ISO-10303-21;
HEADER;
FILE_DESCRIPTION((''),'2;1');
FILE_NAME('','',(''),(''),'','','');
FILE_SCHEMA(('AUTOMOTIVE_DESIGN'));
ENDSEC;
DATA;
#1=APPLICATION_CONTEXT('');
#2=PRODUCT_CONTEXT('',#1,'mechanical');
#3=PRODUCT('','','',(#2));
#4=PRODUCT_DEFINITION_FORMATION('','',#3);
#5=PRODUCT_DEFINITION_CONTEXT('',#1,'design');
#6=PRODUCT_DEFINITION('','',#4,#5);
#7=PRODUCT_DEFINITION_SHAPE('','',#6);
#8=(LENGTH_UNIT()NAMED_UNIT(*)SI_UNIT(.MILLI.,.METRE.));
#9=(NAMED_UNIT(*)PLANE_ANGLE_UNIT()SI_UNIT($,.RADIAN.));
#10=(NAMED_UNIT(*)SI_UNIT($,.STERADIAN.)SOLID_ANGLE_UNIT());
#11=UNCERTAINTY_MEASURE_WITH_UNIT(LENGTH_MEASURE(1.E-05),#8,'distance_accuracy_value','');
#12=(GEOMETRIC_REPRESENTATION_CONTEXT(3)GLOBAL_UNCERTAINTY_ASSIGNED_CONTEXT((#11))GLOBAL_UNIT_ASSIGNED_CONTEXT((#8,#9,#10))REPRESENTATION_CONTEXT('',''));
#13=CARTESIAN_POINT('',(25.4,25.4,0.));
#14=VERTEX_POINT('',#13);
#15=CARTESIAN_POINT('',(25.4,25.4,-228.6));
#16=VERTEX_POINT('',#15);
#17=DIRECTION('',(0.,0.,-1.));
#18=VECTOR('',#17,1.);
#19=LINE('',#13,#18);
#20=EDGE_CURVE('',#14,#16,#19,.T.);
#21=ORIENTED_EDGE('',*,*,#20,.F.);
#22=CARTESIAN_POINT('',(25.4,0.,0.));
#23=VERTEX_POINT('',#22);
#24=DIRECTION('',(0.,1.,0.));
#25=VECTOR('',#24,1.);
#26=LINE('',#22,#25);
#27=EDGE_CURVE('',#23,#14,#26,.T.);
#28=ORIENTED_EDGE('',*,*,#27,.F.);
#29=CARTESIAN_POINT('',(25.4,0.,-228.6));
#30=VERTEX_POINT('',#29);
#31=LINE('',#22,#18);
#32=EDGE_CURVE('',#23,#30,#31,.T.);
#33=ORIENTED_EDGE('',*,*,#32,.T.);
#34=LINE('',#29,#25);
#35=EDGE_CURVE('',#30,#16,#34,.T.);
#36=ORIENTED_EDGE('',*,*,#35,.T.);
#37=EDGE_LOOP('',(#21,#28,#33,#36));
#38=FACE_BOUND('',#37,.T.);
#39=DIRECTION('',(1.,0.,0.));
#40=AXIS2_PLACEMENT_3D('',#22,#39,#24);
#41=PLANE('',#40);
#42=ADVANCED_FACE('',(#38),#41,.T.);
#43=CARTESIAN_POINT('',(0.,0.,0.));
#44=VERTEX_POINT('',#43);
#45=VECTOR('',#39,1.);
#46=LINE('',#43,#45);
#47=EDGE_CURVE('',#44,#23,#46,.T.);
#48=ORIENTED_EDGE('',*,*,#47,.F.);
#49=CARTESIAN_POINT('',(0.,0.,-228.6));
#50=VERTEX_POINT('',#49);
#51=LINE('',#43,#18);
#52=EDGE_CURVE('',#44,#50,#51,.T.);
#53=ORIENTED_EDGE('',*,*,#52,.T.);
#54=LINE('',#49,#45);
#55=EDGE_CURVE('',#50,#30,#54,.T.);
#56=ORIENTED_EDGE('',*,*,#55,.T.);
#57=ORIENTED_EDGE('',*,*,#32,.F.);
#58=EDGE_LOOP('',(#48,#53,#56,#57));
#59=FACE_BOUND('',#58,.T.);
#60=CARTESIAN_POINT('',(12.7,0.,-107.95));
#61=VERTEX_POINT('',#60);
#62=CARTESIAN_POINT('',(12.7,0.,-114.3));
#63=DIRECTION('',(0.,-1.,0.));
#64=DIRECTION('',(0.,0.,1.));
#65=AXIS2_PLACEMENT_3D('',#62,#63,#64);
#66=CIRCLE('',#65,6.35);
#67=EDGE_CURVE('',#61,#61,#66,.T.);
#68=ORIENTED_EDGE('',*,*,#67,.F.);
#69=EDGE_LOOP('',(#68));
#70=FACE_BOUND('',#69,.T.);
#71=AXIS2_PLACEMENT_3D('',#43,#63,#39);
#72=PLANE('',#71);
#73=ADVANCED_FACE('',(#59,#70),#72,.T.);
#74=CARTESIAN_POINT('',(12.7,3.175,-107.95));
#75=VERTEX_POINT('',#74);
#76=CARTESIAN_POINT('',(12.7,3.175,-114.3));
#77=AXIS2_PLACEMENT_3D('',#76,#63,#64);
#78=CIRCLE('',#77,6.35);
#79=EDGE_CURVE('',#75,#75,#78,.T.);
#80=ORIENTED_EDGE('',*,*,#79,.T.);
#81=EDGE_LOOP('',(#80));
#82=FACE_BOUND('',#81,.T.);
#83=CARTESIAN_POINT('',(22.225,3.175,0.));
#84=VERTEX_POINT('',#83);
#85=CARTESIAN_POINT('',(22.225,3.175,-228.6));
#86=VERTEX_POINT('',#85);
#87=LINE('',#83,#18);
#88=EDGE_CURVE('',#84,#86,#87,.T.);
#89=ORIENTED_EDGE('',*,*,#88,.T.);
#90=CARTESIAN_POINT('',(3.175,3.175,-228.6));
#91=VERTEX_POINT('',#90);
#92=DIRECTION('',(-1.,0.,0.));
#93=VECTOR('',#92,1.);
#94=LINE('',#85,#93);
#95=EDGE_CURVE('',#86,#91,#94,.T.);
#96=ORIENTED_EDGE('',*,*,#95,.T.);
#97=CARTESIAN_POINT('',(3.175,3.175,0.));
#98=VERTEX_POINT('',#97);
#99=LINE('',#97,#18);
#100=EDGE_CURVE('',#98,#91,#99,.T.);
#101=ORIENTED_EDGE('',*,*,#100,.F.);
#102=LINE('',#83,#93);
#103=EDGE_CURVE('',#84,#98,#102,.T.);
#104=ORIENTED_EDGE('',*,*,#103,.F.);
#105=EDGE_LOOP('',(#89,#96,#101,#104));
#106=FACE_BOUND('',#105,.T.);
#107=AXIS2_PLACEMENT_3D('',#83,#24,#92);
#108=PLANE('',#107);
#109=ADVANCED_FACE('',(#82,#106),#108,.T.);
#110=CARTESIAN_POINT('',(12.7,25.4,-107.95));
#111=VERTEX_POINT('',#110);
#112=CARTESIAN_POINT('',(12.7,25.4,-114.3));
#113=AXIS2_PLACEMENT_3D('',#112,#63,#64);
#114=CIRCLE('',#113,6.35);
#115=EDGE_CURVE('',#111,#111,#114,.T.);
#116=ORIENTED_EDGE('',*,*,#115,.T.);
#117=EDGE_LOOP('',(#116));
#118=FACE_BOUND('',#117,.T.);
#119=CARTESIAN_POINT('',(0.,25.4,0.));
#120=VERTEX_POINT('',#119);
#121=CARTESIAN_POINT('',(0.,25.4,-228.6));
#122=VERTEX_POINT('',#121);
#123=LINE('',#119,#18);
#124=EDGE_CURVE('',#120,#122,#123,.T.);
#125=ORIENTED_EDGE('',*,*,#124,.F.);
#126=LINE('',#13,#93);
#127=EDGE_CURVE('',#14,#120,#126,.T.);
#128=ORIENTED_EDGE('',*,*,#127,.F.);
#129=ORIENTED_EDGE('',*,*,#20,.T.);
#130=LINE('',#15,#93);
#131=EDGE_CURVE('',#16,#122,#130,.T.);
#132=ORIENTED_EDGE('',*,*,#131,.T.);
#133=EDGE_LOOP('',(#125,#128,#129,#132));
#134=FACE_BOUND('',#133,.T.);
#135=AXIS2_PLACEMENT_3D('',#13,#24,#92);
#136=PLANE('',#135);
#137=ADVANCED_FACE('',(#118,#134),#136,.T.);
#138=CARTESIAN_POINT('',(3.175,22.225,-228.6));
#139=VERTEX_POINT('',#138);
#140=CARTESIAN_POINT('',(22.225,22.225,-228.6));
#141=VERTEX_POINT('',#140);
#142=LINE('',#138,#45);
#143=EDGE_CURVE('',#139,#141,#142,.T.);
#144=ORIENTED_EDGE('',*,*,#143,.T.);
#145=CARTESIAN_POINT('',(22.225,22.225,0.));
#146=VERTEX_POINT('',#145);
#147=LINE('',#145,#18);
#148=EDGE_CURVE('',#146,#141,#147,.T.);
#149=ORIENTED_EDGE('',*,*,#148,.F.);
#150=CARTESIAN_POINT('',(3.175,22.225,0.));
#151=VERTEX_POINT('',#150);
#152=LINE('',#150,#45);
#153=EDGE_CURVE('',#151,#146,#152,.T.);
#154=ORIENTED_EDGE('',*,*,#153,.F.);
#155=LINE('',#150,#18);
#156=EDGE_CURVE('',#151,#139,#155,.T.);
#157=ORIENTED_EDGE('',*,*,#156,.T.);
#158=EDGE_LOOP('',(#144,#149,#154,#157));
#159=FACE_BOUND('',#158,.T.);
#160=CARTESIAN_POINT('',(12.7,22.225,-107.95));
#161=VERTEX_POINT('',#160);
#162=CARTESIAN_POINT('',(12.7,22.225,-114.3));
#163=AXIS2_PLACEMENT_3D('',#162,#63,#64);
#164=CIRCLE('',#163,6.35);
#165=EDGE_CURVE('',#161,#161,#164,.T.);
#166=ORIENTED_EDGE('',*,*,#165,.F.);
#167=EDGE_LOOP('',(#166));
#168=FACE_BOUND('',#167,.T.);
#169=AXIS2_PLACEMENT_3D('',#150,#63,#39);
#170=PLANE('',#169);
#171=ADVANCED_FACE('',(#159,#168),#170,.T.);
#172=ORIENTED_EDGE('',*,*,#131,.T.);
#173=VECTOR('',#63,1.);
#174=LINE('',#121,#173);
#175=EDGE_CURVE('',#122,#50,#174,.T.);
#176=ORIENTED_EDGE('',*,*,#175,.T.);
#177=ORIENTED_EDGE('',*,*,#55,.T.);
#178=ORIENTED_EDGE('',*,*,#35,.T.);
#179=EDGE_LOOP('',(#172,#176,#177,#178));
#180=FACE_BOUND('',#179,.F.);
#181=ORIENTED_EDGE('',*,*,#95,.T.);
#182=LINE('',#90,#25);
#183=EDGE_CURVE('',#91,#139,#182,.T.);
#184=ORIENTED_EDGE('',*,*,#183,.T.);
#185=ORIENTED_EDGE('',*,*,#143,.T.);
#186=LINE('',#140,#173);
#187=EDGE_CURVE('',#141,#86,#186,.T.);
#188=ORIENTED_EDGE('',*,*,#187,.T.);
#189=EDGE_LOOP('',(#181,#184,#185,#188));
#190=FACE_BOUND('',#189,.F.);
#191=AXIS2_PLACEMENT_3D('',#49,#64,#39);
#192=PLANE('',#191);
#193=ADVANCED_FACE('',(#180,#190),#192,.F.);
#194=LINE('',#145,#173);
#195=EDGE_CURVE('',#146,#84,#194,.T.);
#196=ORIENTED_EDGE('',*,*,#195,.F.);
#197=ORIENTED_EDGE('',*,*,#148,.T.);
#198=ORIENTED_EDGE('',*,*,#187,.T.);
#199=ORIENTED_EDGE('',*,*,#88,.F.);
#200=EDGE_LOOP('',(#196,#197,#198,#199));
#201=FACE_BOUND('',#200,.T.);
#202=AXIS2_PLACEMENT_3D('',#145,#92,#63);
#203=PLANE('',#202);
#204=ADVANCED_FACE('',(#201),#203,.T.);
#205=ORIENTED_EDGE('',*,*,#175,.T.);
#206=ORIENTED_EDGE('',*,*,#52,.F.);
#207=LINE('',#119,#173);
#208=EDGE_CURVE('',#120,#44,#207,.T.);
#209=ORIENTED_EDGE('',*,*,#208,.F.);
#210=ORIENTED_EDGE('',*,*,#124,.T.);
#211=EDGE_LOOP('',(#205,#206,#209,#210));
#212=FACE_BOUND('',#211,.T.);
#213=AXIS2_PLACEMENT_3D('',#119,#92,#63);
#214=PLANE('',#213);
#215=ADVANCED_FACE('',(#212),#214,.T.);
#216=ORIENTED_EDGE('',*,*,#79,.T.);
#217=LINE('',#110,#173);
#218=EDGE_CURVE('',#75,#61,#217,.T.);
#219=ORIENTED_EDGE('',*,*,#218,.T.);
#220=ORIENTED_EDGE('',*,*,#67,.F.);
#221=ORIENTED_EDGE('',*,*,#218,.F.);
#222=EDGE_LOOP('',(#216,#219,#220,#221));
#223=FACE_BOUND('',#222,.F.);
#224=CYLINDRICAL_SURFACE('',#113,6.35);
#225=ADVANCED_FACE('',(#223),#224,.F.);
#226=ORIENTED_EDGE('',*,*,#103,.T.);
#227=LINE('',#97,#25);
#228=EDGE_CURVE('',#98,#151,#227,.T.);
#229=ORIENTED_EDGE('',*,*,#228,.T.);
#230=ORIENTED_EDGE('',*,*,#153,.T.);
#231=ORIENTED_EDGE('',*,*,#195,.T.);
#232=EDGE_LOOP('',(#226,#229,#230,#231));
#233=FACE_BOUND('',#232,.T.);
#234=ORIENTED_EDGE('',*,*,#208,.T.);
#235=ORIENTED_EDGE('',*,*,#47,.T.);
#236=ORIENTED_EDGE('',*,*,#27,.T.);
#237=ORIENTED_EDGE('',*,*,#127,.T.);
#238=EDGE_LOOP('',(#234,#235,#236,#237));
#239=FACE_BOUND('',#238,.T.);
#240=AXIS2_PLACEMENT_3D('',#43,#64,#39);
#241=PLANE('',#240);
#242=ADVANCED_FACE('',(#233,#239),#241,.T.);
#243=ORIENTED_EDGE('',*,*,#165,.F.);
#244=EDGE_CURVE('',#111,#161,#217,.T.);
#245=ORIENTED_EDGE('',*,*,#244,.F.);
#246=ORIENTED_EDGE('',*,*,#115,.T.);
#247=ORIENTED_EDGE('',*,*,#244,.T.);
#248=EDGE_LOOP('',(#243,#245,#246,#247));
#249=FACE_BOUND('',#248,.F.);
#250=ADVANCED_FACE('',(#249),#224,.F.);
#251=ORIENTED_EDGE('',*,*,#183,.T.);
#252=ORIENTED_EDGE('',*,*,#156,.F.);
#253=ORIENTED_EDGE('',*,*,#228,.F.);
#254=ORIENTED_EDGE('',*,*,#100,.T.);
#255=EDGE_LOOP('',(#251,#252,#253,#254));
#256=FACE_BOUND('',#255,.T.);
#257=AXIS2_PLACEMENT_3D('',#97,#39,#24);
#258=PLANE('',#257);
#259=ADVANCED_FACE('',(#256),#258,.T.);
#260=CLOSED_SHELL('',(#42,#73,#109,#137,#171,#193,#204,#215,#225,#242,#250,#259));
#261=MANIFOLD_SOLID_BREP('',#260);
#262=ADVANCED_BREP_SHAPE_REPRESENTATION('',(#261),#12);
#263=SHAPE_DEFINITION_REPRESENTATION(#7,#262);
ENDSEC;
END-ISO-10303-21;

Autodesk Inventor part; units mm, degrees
ref_plane "YZ Plane" through (0, 0, 0) normal (1, 0, 0) x (0, 1, 0)
ref_plane "XZ Plane" through (0, 0, 0) normal (0, 1, 0) x (-1, 0, 0)
ref_plane "XY Plane" through (0, 0, 0) normal (0, 0, 1) x (1, 0, 0)
sketch "Sketch1" plane through (0, 0, 0) normal (0, 0, 1) x (1, 0, 0)
  line L0 (0, 0) -> (25.4, 0)
  line L1 (25.4, 0) -> (25.4, 25.4)
  line L2 (25.4, 25.4) -> (0, 25.4)
  line L3 (0, 25.4) -> (0, 0)
  line L4 (3.175, 22.225) -> (22.225, 22.225)
  line L5 (22.225, 22.225) -> (22.225, 3.175)
  line L6 (22.225, 3.175) -> (3.175, 3.175)
  line L7 (3.175, 3.175) -> (3.175, 22.225)
  dimension "d0" = 25.4
  dimension "d1" = 25.4
  dimension "d2" = 3.175
extrude "Extrusion1" add sketch "Sketch1" against normal blind 228.6
sketch "Sketch5" plane through (0, 25.4, 0) normal (0, 1, 0) x (1, 0, 0)
  line L0 (25.4, 228.6) -> (0, 228.6) projected
  point P0 (12.7, 114.3)
  dimension "d21" = 114.3
hole "Hole2" at (12.7, 25.4, -114.3) direction (0, -1, 0) diameter 12.7 depth 25.4 tip angle 118
properties part number "9 in .125 aluminum tube"
